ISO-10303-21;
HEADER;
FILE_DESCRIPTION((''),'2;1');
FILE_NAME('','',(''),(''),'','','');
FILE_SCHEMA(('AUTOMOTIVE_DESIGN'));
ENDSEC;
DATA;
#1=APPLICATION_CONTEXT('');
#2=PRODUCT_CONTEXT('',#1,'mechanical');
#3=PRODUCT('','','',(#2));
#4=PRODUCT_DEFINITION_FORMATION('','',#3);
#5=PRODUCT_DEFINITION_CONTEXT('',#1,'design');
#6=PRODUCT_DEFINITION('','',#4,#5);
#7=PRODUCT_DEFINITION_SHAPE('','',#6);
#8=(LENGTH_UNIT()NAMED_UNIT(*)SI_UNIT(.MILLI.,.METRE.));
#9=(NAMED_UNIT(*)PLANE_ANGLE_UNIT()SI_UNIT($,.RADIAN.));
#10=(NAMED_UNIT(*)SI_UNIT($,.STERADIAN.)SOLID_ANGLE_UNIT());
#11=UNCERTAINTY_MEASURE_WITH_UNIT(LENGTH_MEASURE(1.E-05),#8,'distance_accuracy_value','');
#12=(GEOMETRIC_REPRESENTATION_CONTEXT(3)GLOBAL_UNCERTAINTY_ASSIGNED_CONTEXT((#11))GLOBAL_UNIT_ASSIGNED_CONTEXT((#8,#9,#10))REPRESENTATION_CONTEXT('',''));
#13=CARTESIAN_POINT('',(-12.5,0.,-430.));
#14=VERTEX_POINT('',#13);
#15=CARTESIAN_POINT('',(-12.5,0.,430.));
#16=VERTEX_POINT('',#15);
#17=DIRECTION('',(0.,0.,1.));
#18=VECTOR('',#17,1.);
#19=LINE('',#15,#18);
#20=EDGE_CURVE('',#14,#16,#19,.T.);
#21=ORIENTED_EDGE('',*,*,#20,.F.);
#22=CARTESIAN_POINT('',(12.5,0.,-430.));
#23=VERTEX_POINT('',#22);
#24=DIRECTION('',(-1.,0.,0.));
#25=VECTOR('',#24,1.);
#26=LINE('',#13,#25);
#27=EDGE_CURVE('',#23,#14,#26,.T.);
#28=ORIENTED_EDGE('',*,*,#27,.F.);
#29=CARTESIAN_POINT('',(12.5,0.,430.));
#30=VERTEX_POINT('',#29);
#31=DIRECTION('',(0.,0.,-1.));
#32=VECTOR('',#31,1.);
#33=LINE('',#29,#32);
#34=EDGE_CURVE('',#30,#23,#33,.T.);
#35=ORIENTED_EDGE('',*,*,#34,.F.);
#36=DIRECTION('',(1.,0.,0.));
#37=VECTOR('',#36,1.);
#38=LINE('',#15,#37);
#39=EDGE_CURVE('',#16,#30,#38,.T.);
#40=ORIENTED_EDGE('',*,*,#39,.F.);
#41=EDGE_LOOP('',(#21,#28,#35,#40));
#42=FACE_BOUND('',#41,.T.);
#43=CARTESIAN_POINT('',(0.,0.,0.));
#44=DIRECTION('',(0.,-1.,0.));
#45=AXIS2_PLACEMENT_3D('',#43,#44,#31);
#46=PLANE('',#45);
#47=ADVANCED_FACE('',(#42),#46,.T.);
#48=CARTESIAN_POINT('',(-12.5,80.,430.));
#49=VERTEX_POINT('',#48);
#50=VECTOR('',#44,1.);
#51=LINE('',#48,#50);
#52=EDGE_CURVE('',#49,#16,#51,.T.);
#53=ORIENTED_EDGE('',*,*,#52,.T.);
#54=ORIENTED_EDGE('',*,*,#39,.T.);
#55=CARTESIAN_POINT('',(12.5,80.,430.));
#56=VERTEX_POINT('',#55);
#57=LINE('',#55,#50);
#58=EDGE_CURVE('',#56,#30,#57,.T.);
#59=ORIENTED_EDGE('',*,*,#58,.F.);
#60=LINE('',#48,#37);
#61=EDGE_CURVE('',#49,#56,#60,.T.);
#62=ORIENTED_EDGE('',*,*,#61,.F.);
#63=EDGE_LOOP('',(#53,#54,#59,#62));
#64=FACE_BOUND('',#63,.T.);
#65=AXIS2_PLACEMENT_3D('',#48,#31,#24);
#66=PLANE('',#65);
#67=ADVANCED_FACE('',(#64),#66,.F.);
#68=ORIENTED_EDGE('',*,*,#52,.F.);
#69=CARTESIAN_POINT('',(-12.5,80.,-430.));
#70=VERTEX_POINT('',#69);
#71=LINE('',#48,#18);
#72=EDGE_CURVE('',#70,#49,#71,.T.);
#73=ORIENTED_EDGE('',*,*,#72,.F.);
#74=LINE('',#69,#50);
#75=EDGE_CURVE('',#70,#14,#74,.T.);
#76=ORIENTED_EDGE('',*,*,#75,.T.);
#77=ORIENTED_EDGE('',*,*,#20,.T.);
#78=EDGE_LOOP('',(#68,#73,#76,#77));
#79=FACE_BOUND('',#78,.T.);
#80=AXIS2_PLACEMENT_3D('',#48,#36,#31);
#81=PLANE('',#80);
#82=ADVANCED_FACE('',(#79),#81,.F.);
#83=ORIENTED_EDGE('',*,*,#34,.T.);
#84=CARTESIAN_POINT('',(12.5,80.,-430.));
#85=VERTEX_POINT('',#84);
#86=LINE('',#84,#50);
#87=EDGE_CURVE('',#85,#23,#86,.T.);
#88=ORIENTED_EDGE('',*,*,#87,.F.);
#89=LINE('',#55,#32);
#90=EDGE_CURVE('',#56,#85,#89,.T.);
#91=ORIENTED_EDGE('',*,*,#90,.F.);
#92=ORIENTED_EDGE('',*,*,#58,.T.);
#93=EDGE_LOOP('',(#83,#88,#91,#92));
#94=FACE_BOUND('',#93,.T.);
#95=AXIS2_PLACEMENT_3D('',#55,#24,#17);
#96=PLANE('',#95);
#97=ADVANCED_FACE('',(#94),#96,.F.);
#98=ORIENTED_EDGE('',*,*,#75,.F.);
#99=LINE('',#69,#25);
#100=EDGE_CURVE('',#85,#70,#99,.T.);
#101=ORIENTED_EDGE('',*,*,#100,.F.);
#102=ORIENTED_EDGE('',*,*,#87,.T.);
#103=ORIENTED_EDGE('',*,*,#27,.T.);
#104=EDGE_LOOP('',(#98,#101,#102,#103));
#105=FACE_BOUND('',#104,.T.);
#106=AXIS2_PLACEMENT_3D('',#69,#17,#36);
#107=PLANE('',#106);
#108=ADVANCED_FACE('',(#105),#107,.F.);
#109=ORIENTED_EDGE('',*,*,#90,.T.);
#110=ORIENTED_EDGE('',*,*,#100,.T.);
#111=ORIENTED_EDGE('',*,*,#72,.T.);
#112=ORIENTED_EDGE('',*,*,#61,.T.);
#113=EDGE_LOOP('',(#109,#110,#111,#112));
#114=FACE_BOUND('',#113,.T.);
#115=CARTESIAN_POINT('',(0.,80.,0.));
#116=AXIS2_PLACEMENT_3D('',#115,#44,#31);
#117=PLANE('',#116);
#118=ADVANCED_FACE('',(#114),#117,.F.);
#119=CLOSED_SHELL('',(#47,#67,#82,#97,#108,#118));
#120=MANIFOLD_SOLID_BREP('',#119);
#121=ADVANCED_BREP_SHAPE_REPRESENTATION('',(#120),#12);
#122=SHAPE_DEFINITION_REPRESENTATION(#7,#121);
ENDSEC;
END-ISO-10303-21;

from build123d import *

# Parameters (mm, degrees)
CROQUIS_FALDON_W   = 25
CROQUIS_FALDON_H   = 860
FALDON_CORTO_DEPTH = 80


with BuildPart() as part:
    # Croquis_faldon → Faldon_corto (new body)
    with BuildSketch(Plane(origin=(0, 0, 0), x_dir=(1, 0, 0), z_dir=(0, 1, 0))):
        Rectangle(CROQUIS_FALDON_W, CROQUIS_FALDON_H)
    extrude(amount=FALDON_CORTO_DEPTH)


solid = part.part
